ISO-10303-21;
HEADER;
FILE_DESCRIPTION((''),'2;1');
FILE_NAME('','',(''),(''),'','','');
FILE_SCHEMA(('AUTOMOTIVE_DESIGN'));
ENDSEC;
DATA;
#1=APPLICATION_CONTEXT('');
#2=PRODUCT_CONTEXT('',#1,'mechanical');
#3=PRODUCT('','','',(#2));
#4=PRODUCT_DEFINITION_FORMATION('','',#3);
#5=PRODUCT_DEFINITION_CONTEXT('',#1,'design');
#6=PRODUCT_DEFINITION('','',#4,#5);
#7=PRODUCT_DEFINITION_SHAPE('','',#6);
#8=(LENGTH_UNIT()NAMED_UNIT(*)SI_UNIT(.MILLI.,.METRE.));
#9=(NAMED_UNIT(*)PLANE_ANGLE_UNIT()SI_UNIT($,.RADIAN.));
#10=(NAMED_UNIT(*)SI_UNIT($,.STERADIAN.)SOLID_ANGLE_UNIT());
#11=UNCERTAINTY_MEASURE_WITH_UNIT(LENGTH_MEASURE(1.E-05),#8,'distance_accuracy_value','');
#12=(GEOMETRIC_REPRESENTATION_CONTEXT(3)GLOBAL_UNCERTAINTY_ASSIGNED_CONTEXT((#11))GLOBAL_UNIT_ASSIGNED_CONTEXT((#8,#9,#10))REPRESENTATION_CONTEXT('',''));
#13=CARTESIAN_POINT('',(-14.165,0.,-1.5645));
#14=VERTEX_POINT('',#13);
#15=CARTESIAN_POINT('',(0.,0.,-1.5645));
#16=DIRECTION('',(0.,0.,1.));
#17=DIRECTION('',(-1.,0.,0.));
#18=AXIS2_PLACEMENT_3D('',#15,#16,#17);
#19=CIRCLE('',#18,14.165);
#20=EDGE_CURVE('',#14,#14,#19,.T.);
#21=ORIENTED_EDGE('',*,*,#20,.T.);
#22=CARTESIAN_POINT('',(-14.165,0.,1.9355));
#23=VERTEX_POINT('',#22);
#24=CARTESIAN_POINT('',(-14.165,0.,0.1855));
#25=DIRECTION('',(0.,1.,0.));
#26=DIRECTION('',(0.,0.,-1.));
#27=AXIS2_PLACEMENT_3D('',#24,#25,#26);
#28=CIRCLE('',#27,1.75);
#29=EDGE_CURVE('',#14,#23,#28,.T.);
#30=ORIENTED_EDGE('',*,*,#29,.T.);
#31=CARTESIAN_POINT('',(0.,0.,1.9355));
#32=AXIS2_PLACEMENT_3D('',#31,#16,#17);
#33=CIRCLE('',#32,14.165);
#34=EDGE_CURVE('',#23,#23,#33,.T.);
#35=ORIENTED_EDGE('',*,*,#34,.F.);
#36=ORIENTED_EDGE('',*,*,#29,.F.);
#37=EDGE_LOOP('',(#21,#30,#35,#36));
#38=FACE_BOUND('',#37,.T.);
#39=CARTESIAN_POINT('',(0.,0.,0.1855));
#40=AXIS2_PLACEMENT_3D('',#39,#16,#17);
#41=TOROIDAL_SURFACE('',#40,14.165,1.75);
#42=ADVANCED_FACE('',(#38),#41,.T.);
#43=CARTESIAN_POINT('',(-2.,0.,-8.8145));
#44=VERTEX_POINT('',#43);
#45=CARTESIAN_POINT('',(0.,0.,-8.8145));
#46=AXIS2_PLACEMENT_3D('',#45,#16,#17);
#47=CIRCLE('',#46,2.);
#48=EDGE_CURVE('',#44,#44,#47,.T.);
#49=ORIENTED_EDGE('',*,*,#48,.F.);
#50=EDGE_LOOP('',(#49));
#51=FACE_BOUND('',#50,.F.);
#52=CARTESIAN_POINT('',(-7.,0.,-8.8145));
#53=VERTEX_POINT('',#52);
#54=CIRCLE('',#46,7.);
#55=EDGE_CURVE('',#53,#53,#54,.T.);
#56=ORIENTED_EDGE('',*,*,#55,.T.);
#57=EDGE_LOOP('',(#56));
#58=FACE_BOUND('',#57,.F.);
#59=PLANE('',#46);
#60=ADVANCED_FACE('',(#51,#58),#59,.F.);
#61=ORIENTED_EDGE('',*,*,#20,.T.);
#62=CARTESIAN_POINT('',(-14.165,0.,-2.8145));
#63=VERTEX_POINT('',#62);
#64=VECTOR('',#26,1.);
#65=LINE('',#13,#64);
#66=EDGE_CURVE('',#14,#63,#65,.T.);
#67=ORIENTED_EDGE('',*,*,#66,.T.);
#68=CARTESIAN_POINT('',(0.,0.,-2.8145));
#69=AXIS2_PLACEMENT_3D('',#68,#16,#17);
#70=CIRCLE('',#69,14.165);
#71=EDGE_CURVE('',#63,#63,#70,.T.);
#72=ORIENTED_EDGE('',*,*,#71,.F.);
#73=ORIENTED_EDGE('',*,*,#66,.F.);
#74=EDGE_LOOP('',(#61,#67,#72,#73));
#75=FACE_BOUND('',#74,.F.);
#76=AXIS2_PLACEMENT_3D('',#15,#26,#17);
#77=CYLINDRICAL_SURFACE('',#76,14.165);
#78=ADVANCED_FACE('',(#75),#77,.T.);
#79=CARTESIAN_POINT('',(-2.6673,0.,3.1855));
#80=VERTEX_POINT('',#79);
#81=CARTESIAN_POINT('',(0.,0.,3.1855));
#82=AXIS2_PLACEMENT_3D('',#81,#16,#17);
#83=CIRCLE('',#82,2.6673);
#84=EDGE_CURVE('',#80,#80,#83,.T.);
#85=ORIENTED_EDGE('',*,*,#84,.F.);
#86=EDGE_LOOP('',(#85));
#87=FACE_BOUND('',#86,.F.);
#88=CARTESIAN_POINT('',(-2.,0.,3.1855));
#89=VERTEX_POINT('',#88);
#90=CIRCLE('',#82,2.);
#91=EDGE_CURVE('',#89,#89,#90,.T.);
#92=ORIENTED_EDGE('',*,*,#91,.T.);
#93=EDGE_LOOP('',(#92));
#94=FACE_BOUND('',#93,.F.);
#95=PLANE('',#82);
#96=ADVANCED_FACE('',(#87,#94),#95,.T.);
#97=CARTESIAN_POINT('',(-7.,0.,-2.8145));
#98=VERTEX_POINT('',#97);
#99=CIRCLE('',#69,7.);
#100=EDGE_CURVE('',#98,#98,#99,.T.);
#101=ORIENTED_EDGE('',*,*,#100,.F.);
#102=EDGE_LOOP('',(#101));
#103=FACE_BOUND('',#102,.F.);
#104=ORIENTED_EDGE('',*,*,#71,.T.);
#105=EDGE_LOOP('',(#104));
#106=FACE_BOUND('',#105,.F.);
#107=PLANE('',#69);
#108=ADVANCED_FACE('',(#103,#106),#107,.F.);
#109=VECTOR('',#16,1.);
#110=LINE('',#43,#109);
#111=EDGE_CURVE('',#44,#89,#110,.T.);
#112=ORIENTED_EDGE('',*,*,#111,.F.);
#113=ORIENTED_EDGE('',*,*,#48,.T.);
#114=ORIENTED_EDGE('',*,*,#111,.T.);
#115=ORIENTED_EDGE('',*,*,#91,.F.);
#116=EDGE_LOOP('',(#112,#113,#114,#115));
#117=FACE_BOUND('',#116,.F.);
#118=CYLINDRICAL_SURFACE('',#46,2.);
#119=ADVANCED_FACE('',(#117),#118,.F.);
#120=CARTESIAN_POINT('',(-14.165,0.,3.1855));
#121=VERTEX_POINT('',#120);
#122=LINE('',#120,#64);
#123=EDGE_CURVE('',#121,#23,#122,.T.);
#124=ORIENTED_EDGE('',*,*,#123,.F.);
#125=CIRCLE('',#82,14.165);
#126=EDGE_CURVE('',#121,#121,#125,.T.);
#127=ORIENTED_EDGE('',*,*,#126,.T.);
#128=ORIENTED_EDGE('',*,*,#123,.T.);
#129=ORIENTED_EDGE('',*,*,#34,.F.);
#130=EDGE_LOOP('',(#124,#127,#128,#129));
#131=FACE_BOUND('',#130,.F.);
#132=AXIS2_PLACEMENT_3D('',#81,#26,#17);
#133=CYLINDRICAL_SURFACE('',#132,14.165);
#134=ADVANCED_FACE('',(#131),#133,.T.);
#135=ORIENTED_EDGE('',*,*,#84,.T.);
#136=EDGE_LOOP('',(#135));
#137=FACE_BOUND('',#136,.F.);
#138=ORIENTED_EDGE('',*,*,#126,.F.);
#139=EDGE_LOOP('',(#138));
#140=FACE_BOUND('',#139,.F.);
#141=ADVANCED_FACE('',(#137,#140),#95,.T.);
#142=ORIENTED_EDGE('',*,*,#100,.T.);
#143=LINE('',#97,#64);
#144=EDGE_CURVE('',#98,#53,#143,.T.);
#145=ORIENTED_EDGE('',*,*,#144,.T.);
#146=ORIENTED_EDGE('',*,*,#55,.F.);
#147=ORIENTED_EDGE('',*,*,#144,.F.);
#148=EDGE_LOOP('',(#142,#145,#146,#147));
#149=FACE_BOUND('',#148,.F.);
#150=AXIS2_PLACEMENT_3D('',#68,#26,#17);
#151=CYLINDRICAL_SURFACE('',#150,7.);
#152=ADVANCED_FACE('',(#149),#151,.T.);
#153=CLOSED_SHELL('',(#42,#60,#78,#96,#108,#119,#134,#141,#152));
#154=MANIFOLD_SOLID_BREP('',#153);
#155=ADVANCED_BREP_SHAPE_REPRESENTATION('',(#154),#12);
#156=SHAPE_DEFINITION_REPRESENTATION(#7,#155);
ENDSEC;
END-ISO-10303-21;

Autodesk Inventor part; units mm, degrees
ref_plane "YZ Plane" through (0, 0, 0) normal (1, 0, 0) x (0, 1, 0)
ref_plane "XZ Plane" through (0, 0, 0) normal (0, 1, 0) x (-1, 0, 0)
ref_plane "XY Plane" through (0, 0, 0) normal (0, 0, 1) x (1, 0, 0)
sketch "Esquisse1" plane through (0, 0, 0) normal (0, 1, 0) x (-1, 0, 0)
  line L0 (2.6673, 3.1855) -> (14.165, 3.1855)
  line L1 (14.165, 3.1855) -> (14.165, 1.9355)
  line L2 (14.165, -1.5645) -> (14.165, -2.8145)
  line L3 (14.165, -2.8145) -> (7, -2.8145)
  line L4 (7, -2.8145) -> (7, -8.8145)
  line L5 (7, -8.8145) -> (2, -8.8145)
  line L6 (2, -8.8145) -> (2, 3.1855)
  line L7 (2, 3.1855) -> (2.6673, 3.1855)
  line L8 (0, -11.2145) -> (0, 5.5855) projected
  arc A0 (14.165, -1.5645) -> (14.165, 1.9355) centre (14.165, 0.1855) ccw
  point P0 (0, 0)
  dimension "d0" = 12
  dimension "d2" = 6
  dimension "d4" = 2
  dimension "d5" = 7
  dimension "d8" = 14.165
  dimension "d10" = 14.165
  dimension "d11" = 3
  dimension "d12" = 1.75
revolve "Révolution1" add sketch "Esquisse1" angle 360 about axis through (0, 0, -10) along (0, 0, 1)
properties part number "Roue de mesure Scancon 100 mm -ID64"
